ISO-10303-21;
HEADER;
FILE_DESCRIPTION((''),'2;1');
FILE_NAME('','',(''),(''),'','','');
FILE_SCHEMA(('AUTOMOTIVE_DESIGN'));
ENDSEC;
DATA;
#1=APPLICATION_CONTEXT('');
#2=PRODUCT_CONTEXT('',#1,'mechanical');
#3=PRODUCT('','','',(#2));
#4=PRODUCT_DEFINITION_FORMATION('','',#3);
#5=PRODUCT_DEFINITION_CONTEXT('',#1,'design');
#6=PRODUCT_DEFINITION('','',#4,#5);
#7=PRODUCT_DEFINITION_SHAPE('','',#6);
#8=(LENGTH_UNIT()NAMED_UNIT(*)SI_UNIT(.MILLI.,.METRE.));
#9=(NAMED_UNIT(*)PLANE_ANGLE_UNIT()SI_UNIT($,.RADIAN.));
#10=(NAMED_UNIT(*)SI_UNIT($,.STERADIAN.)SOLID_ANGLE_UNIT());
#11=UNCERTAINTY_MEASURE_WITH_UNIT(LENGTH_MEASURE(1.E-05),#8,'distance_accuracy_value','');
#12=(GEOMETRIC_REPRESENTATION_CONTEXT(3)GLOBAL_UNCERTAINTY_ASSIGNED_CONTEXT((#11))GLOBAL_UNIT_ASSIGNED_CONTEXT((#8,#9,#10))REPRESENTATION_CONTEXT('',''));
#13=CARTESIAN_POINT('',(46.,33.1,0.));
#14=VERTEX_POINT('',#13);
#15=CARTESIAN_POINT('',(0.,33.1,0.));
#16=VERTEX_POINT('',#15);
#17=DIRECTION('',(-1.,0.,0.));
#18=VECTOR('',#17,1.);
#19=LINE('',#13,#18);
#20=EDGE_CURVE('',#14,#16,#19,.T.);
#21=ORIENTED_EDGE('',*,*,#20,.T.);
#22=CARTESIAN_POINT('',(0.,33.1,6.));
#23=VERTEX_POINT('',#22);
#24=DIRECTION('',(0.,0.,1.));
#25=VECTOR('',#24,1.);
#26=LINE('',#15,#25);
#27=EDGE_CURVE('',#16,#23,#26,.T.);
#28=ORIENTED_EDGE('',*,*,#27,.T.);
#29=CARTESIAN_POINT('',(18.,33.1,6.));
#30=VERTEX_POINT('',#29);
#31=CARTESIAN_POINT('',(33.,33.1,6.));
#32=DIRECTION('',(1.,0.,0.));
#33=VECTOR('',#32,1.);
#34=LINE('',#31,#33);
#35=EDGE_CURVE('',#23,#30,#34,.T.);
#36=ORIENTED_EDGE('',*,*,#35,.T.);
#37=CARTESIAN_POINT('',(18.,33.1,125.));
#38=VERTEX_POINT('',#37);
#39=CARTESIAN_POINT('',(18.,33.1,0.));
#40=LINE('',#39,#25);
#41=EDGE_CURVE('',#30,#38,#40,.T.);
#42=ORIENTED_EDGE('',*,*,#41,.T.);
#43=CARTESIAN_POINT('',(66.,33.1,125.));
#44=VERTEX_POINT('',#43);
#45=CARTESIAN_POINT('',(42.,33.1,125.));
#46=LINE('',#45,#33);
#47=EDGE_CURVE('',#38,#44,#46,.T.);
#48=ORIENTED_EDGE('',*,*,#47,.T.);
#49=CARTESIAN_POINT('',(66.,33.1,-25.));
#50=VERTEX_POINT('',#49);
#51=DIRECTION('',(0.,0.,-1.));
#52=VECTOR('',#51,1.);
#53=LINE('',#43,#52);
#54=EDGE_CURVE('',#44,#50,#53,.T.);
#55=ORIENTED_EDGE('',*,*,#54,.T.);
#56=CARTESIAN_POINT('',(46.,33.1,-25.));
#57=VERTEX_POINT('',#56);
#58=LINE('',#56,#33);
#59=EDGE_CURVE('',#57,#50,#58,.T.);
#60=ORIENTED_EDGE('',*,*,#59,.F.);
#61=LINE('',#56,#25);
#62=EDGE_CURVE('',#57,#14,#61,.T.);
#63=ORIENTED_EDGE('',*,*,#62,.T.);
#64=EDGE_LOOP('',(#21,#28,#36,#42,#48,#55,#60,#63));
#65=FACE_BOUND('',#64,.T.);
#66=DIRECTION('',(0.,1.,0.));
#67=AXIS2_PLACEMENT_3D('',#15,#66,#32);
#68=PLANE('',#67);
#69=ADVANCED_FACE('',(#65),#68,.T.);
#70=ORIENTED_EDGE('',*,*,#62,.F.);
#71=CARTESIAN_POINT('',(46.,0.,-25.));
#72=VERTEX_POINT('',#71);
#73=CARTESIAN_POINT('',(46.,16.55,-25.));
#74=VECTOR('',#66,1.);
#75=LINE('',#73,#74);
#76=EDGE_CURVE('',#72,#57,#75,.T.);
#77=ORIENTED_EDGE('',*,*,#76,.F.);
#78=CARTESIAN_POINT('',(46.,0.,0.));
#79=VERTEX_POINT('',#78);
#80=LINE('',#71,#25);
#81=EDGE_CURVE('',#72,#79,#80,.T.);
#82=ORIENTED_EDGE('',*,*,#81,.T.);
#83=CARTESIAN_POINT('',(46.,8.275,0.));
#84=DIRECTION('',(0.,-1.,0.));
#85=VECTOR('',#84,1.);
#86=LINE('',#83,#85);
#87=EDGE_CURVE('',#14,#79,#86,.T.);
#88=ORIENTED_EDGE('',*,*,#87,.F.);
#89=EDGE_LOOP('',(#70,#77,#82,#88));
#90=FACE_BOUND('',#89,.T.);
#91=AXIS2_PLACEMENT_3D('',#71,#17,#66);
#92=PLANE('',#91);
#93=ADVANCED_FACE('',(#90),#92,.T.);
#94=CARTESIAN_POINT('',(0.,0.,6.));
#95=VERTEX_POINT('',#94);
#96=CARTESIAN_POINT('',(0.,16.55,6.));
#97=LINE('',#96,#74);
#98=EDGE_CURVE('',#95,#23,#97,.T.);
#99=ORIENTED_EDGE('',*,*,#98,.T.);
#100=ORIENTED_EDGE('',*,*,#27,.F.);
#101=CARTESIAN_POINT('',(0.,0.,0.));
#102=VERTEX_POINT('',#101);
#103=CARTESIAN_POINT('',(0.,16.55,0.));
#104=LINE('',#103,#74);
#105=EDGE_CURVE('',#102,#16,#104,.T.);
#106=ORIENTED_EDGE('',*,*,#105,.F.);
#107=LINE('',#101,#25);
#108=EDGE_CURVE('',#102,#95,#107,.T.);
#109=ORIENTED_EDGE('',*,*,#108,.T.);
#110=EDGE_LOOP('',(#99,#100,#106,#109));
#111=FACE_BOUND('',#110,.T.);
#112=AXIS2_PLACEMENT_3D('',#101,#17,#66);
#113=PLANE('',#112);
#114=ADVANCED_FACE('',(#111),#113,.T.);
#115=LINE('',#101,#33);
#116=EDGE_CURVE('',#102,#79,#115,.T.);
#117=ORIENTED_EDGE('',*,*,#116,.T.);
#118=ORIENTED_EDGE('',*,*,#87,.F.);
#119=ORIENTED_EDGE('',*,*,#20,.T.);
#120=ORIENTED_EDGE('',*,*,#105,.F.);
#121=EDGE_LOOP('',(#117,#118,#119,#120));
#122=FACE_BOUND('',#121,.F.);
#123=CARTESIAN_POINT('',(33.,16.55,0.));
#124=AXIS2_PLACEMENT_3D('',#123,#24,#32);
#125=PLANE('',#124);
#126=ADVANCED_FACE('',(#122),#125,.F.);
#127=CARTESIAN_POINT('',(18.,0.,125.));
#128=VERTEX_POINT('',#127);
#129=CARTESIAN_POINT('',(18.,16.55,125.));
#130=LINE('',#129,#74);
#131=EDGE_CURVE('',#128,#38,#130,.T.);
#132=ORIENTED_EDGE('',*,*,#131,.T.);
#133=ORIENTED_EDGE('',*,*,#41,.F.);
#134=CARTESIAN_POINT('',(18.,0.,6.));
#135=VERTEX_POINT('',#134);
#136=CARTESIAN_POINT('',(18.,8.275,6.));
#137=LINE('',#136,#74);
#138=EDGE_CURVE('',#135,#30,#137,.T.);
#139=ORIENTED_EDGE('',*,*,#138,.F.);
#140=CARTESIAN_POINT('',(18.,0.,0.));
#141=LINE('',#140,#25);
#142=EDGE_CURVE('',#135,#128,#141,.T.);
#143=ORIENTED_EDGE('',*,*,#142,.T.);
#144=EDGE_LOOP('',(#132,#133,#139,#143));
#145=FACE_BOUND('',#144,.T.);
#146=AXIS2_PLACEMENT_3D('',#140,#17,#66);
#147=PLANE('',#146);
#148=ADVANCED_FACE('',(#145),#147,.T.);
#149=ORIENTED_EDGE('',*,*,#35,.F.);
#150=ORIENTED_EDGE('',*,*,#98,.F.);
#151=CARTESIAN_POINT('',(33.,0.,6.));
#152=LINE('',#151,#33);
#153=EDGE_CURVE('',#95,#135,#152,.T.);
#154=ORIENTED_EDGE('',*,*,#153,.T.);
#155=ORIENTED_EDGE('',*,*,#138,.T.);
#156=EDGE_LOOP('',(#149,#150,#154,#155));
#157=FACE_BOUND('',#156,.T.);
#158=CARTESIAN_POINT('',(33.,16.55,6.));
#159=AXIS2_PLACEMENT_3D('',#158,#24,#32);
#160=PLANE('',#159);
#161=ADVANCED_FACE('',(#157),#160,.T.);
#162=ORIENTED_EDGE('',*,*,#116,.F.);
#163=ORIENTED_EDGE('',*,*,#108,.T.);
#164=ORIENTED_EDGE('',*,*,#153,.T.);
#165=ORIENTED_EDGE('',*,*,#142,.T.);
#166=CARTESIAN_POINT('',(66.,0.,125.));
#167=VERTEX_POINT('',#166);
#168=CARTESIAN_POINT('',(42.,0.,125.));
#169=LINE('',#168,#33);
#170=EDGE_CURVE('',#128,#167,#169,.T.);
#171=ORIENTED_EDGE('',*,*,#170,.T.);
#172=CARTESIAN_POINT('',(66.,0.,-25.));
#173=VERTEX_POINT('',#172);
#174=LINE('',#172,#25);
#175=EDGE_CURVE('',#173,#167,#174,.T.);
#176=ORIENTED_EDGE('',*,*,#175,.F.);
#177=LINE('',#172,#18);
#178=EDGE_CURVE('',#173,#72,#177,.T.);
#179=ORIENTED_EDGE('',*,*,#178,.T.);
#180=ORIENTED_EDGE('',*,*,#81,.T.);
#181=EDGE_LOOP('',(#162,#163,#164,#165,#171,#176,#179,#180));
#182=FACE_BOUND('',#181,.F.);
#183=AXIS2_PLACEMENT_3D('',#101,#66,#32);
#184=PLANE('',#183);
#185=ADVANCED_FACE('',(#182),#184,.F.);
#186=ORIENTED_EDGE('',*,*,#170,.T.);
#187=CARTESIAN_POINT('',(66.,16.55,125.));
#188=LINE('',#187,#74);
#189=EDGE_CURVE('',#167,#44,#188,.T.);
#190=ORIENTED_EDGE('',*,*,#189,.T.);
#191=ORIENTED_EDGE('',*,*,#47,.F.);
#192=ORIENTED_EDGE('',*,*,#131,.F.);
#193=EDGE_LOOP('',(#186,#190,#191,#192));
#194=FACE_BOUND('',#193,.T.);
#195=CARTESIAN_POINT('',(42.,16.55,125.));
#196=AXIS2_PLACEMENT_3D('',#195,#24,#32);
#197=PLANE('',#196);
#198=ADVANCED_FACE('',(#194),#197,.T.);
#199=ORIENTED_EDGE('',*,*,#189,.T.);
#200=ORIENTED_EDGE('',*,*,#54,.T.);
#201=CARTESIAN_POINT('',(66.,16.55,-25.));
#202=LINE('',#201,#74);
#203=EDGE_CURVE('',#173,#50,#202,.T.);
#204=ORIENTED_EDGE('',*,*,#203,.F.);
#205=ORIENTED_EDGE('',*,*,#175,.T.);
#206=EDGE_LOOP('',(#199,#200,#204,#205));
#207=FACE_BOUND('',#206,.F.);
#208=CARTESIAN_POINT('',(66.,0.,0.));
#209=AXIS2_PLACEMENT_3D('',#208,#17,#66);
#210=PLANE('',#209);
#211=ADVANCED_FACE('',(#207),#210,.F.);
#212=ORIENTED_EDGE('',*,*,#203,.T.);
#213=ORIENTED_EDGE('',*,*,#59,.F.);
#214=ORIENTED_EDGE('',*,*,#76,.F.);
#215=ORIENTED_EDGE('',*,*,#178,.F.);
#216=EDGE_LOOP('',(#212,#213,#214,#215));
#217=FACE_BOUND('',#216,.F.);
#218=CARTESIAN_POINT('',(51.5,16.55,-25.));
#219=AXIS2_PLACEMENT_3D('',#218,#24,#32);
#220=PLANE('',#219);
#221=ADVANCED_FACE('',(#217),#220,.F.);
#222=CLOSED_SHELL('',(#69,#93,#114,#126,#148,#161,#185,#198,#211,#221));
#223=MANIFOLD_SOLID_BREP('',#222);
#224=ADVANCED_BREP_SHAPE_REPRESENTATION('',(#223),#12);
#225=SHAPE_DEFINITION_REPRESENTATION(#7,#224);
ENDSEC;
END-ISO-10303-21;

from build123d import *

# Parameters (mm, degrees)
BOX002_W     = 48
BOX002_H     = 33.1
BOX002_DEPTH = 125
BOX001_W     = 11
BOX001_H     = 33.1
BOX001_DEPTH = 31
BOX_W        = 66
BOX_H        = 33.1
BOX_DEPTH    = 6
BOX003_W     = 10
BOX003_H     = 33.1
BOX003_DEPTH = 31


with BuildPart() as cubo002:
    # Box002 → Box002 (new body)
    with BuildSketch(Plane(origin=(18, 0, 0), x_dir=(1, 0, 0), z_dir=(0, 0, 1))):
        with Locations((24, 16.55)):
            Rectangle(BOX002_W, BOX002_H)
    extrude(amount=BOX002_DEPTH)


with BuildPart() as cubo001:
    # Box001 → Box001 (new body)
    with BuildSketch(Plane(origin=(46, 0, -25), x_dir=(1, 0, 0), z_dir=(0, 0, 1))):
        with Locations((5.5, 16.55)):
            Rectangle(BOX001_W, BOX001_H)
    extrude(amount=BOX001_DEPTH)


with BuildPart() as cubo:
    # Box → Box (new body)
    with BuildSketch(Plane.XY):
        with Locations((33, 16.55)):
            Rectangle(BOX_W, BOX_H)
    extrude(amount=BOX_DEPTH)


with BuildPart() as fusion:
    # Box003 → Box003 (new body)
    with BuildSketch(Plane(origin=(56, 0, -25), x_dir=(1, 0, 0), z_dir=(0, 0, 1))):
        with Locations((5, 16.55)):
            Rectangle(BOX003_W, BOX003_H)
    extrude(amount=BOX003_DEPTH)

    # Fusion: union Cubo002, Cubo001, Cubo
    add(cubo002.part)
    add(cubo001.part)
    add(cubo.part)


solid = fusion.part
